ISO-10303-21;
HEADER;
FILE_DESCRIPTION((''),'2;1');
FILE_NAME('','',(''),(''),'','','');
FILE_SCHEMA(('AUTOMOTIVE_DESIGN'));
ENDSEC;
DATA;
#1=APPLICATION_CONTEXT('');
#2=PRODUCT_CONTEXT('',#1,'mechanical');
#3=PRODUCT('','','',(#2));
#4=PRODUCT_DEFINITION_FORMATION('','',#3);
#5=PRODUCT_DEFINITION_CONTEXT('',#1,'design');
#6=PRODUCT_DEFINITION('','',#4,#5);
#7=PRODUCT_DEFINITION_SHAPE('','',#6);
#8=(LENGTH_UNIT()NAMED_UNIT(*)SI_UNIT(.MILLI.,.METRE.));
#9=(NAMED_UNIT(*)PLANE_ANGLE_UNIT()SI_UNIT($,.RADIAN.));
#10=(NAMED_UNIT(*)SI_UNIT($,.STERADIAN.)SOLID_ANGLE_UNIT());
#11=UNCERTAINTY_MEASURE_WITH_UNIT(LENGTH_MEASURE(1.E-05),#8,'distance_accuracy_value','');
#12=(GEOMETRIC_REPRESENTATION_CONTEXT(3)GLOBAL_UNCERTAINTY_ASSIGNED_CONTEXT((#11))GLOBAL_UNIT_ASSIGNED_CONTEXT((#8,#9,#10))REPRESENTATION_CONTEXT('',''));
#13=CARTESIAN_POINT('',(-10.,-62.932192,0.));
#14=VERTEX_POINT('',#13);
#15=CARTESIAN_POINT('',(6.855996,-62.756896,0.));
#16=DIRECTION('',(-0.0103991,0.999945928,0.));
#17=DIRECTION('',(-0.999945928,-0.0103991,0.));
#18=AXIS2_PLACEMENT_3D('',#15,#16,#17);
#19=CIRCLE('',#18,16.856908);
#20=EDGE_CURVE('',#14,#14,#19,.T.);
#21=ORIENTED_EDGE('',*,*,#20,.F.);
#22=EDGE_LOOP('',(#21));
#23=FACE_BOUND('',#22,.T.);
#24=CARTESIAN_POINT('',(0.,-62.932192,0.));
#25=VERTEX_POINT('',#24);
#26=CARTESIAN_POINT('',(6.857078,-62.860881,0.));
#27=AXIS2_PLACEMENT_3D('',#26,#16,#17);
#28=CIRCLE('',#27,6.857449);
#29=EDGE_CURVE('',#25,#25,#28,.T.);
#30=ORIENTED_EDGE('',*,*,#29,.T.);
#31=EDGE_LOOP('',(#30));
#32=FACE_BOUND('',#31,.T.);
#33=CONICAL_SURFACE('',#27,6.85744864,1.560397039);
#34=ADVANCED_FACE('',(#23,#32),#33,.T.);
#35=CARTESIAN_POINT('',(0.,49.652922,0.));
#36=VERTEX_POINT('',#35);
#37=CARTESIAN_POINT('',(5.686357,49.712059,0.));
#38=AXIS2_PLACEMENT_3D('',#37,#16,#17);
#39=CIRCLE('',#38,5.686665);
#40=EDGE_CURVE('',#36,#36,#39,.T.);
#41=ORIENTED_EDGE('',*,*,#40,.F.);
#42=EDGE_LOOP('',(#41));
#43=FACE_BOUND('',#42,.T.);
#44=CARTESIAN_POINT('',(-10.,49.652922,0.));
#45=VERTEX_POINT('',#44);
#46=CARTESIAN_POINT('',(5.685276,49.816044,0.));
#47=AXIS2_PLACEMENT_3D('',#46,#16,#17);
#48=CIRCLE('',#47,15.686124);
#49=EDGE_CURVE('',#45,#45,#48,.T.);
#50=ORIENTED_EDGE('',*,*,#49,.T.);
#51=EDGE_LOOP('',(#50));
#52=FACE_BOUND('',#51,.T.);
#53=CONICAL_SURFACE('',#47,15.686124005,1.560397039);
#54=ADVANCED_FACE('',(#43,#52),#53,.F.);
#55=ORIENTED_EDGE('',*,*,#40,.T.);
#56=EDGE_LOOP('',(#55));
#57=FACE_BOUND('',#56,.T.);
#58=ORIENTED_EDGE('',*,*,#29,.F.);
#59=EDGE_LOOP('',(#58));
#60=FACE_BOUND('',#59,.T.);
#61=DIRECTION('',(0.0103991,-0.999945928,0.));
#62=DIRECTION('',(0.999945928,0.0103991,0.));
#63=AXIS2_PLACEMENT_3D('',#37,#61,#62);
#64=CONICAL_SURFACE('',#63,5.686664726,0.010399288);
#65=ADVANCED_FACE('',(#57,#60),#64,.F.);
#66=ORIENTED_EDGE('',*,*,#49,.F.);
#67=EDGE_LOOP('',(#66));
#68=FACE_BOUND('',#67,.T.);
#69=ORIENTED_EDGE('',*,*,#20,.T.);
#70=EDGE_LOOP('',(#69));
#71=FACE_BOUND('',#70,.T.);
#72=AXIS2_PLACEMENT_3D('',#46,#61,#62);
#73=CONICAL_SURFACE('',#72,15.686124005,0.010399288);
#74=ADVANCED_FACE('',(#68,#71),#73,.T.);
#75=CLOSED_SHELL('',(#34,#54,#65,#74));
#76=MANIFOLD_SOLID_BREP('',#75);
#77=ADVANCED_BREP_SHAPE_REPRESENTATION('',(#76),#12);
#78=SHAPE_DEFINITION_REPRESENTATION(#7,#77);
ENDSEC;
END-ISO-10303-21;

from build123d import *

# Parameters (mm, degrees)
SKETCH1_W = 10
SKETCH1_H = 112.58511474


with BuildPart() as part:
    # Sketch1 → Revolve-Thin1 (revolve)
    with BuildSketch(Plane.XY):
        with Locations((-5, -6.639634972)):
            Rectangle(SKETCH1_W, SKETCH1_H)
    revolve(axis=Axis((5.686972233, 49.652922398, 0), (0.010399100422119521, -0.9999459278933089, 0)))


solid = part.part
